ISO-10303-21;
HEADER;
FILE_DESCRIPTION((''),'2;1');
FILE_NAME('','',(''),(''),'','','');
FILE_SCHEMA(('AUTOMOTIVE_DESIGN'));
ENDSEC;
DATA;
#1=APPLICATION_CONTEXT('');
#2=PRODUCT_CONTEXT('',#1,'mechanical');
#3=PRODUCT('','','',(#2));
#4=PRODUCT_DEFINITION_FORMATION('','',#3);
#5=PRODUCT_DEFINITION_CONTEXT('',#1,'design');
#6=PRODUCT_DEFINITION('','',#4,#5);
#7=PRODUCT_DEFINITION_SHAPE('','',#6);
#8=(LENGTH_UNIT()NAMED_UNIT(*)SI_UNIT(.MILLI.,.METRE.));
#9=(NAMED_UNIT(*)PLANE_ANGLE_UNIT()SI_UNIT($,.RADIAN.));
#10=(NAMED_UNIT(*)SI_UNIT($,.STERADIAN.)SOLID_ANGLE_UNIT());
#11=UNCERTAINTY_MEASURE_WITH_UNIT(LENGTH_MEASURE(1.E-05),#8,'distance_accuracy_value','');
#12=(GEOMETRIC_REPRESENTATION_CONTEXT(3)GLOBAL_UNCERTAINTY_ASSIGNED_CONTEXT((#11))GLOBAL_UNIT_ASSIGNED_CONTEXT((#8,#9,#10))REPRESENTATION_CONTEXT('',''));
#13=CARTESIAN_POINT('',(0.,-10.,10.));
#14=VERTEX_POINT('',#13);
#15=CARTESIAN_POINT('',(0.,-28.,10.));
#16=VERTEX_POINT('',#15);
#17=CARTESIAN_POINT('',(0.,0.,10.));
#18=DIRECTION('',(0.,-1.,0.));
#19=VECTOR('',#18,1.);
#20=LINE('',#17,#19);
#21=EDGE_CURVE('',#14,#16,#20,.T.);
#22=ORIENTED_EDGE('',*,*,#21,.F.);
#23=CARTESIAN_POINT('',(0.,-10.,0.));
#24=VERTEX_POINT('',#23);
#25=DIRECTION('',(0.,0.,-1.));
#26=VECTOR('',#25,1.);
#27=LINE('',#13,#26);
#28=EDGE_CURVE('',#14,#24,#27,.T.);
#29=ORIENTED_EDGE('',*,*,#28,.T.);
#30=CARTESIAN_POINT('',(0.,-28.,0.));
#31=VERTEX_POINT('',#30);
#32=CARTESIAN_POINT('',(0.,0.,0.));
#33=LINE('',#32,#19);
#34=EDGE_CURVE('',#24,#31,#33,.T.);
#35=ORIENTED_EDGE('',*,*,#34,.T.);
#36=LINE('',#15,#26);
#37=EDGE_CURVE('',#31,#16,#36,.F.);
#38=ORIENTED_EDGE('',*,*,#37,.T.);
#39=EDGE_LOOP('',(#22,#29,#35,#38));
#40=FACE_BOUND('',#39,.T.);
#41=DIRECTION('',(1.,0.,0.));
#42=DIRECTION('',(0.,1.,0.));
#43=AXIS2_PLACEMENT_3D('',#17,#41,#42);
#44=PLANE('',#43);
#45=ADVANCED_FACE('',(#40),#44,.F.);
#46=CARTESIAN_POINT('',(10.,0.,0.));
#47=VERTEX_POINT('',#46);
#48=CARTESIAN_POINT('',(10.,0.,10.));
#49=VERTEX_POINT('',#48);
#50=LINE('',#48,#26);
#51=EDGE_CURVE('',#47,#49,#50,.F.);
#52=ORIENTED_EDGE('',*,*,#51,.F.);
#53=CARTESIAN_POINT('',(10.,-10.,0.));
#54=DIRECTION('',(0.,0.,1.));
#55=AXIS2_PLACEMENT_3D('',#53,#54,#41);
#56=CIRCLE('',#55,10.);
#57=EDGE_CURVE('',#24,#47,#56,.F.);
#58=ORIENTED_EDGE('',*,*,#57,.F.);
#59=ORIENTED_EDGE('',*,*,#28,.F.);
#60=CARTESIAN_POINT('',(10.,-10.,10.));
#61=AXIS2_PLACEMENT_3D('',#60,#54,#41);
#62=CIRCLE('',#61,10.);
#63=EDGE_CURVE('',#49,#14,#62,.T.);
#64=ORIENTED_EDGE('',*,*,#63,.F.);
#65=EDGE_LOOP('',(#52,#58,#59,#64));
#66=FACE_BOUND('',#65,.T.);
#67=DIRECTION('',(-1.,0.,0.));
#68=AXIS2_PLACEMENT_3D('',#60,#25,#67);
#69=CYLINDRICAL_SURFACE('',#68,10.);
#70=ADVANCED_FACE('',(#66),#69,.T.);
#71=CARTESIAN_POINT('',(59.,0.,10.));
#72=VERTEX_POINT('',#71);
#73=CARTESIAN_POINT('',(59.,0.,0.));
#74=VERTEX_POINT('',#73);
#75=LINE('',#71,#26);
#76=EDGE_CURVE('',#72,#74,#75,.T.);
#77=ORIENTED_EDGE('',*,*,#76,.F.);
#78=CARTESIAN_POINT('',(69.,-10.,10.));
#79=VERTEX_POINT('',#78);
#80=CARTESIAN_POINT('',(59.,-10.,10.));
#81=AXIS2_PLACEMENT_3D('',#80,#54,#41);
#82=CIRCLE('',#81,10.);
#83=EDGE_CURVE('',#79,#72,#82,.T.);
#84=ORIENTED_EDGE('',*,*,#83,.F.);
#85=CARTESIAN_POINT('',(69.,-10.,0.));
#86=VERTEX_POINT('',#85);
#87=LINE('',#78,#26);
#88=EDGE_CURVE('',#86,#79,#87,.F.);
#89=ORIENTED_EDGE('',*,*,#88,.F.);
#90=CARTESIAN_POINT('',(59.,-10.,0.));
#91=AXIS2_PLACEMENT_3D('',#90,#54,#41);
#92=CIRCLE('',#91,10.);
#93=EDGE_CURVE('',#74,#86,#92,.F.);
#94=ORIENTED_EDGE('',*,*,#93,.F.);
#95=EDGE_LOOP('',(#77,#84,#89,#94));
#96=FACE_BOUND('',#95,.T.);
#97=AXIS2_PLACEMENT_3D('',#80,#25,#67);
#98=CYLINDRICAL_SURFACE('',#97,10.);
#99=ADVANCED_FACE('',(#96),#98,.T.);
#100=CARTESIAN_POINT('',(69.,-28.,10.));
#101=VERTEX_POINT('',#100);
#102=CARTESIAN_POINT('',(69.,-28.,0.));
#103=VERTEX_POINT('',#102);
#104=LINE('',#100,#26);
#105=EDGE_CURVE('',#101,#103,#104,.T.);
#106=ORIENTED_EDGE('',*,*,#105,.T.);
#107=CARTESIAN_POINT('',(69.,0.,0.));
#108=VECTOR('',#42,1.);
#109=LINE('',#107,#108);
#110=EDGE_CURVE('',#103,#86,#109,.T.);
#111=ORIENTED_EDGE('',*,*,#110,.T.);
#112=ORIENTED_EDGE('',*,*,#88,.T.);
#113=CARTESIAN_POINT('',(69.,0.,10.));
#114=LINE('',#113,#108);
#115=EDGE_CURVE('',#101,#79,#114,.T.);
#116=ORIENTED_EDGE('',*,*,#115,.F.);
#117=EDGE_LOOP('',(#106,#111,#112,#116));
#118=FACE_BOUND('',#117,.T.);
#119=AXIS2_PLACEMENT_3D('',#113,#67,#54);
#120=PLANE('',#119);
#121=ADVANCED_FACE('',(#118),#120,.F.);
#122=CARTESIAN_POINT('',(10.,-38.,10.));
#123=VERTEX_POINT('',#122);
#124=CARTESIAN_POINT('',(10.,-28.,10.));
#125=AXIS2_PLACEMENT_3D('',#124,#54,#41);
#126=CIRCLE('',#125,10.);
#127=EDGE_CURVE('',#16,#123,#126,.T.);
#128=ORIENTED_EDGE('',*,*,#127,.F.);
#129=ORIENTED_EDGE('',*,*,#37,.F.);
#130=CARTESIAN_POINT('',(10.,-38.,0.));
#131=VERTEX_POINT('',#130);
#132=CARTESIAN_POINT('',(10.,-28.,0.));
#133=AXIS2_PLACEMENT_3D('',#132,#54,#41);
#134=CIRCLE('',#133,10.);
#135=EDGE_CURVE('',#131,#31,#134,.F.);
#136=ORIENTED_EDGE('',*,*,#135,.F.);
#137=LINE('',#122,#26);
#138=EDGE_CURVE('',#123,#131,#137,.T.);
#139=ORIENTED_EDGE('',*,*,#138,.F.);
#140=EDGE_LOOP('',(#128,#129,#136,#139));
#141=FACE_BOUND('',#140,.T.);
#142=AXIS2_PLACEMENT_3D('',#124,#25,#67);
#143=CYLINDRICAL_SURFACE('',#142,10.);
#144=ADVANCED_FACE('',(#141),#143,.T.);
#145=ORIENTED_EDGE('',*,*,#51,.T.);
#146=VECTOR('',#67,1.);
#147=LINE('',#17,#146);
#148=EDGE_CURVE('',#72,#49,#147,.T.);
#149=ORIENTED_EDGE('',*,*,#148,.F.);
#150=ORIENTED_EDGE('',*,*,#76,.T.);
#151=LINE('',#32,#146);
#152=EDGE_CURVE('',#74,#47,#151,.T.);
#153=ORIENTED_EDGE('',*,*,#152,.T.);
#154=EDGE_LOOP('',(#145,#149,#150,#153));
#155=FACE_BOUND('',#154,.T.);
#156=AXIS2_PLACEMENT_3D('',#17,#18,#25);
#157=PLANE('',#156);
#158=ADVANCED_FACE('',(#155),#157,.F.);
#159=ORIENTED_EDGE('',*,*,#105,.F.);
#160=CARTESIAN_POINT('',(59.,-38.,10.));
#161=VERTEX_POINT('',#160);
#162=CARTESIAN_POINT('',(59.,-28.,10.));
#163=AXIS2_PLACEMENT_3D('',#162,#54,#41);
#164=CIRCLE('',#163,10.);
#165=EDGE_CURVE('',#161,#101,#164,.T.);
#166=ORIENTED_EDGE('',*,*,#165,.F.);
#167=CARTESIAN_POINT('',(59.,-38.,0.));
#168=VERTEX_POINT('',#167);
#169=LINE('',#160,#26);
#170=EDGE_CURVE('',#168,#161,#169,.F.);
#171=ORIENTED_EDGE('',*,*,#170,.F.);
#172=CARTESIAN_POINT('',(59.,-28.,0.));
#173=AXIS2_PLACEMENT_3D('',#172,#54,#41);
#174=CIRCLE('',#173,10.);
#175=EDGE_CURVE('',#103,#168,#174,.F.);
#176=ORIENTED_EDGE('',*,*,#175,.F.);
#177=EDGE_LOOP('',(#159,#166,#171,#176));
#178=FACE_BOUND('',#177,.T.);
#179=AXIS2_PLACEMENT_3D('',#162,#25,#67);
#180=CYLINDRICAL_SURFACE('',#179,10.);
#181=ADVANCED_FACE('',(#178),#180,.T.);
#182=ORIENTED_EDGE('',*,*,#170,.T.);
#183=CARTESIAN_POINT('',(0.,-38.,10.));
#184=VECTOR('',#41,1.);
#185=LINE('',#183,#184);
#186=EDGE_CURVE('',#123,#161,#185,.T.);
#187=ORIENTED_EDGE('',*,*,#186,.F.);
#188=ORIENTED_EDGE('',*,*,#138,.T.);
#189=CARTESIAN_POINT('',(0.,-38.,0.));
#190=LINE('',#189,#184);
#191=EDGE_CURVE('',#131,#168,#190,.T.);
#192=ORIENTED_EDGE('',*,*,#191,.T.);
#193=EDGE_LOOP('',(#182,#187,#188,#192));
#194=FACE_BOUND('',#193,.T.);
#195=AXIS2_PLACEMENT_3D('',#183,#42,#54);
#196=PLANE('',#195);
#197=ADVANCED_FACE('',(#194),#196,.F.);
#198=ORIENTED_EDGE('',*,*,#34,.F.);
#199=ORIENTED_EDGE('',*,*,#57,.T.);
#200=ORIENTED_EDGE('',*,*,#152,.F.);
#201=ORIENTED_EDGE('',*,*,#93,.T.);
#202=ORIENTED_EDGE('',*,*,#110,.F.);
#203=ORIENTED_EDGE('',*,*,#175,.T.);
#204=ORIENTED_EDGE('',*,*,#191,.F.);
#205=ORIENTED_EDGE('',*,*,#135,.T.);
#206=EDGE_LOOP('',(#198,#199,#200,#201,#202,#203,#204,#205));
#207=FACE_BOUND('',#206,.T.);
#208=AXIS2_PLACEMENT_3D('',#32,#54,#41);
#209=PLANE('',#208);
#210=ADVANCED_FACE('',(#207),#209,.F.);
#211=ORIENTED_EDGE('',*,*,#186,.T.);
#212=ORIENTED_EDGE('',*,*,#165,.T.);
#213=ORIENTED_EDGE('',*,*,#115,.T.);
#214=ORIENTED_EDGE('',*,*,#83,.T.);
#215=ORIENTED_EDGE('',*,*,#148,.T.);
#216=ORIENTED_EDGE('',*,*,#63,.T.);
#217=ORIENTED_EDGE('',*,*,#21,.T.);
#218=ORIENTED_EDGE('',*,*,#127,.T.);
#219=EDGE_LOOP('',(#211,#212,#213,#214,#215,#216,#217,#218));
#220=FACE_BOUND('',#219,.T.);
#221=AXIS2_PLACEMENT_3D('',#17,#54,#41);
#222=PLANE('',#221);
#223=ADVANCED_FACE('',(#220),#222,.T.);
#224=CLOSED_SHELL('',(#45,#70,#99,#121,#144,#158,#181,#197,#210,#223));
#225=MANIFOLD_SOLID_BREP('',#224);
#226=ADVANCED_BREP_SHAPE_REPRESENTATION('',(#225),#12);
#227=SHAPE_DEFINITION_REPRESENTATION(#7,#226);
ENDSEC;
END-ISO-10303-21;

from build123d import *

# Parameters (mm, degrees)
SKETCH1_W           = 69
SKETCH1_H           = 38
BOSS_EXTRUDE1_DEPTH = 10
FILLET1_R           = 10


with BuildPart() as part:
    # Sketch1 → Boss-Extrude1 (new body)
    with BuildSketch(Plane.XY):
        with Locations((34.5, -19)):
            Rectangle(SKETCH1_W, SKETCH1_H)
    extrude(amount=BOSS_EXTRUDE1_DEPTH)

    # Fillet1
    fillet1_edges = [part.edges().sort_by_distance(p)[0] for p in [
        (0, 0, 5),
        (69, 0, 5),
        (69, -38, 5),
        (0, -38, 5),
    ]]
    fillet(fillet1_edges, radius=FILLET1_R)


solid = part.part
